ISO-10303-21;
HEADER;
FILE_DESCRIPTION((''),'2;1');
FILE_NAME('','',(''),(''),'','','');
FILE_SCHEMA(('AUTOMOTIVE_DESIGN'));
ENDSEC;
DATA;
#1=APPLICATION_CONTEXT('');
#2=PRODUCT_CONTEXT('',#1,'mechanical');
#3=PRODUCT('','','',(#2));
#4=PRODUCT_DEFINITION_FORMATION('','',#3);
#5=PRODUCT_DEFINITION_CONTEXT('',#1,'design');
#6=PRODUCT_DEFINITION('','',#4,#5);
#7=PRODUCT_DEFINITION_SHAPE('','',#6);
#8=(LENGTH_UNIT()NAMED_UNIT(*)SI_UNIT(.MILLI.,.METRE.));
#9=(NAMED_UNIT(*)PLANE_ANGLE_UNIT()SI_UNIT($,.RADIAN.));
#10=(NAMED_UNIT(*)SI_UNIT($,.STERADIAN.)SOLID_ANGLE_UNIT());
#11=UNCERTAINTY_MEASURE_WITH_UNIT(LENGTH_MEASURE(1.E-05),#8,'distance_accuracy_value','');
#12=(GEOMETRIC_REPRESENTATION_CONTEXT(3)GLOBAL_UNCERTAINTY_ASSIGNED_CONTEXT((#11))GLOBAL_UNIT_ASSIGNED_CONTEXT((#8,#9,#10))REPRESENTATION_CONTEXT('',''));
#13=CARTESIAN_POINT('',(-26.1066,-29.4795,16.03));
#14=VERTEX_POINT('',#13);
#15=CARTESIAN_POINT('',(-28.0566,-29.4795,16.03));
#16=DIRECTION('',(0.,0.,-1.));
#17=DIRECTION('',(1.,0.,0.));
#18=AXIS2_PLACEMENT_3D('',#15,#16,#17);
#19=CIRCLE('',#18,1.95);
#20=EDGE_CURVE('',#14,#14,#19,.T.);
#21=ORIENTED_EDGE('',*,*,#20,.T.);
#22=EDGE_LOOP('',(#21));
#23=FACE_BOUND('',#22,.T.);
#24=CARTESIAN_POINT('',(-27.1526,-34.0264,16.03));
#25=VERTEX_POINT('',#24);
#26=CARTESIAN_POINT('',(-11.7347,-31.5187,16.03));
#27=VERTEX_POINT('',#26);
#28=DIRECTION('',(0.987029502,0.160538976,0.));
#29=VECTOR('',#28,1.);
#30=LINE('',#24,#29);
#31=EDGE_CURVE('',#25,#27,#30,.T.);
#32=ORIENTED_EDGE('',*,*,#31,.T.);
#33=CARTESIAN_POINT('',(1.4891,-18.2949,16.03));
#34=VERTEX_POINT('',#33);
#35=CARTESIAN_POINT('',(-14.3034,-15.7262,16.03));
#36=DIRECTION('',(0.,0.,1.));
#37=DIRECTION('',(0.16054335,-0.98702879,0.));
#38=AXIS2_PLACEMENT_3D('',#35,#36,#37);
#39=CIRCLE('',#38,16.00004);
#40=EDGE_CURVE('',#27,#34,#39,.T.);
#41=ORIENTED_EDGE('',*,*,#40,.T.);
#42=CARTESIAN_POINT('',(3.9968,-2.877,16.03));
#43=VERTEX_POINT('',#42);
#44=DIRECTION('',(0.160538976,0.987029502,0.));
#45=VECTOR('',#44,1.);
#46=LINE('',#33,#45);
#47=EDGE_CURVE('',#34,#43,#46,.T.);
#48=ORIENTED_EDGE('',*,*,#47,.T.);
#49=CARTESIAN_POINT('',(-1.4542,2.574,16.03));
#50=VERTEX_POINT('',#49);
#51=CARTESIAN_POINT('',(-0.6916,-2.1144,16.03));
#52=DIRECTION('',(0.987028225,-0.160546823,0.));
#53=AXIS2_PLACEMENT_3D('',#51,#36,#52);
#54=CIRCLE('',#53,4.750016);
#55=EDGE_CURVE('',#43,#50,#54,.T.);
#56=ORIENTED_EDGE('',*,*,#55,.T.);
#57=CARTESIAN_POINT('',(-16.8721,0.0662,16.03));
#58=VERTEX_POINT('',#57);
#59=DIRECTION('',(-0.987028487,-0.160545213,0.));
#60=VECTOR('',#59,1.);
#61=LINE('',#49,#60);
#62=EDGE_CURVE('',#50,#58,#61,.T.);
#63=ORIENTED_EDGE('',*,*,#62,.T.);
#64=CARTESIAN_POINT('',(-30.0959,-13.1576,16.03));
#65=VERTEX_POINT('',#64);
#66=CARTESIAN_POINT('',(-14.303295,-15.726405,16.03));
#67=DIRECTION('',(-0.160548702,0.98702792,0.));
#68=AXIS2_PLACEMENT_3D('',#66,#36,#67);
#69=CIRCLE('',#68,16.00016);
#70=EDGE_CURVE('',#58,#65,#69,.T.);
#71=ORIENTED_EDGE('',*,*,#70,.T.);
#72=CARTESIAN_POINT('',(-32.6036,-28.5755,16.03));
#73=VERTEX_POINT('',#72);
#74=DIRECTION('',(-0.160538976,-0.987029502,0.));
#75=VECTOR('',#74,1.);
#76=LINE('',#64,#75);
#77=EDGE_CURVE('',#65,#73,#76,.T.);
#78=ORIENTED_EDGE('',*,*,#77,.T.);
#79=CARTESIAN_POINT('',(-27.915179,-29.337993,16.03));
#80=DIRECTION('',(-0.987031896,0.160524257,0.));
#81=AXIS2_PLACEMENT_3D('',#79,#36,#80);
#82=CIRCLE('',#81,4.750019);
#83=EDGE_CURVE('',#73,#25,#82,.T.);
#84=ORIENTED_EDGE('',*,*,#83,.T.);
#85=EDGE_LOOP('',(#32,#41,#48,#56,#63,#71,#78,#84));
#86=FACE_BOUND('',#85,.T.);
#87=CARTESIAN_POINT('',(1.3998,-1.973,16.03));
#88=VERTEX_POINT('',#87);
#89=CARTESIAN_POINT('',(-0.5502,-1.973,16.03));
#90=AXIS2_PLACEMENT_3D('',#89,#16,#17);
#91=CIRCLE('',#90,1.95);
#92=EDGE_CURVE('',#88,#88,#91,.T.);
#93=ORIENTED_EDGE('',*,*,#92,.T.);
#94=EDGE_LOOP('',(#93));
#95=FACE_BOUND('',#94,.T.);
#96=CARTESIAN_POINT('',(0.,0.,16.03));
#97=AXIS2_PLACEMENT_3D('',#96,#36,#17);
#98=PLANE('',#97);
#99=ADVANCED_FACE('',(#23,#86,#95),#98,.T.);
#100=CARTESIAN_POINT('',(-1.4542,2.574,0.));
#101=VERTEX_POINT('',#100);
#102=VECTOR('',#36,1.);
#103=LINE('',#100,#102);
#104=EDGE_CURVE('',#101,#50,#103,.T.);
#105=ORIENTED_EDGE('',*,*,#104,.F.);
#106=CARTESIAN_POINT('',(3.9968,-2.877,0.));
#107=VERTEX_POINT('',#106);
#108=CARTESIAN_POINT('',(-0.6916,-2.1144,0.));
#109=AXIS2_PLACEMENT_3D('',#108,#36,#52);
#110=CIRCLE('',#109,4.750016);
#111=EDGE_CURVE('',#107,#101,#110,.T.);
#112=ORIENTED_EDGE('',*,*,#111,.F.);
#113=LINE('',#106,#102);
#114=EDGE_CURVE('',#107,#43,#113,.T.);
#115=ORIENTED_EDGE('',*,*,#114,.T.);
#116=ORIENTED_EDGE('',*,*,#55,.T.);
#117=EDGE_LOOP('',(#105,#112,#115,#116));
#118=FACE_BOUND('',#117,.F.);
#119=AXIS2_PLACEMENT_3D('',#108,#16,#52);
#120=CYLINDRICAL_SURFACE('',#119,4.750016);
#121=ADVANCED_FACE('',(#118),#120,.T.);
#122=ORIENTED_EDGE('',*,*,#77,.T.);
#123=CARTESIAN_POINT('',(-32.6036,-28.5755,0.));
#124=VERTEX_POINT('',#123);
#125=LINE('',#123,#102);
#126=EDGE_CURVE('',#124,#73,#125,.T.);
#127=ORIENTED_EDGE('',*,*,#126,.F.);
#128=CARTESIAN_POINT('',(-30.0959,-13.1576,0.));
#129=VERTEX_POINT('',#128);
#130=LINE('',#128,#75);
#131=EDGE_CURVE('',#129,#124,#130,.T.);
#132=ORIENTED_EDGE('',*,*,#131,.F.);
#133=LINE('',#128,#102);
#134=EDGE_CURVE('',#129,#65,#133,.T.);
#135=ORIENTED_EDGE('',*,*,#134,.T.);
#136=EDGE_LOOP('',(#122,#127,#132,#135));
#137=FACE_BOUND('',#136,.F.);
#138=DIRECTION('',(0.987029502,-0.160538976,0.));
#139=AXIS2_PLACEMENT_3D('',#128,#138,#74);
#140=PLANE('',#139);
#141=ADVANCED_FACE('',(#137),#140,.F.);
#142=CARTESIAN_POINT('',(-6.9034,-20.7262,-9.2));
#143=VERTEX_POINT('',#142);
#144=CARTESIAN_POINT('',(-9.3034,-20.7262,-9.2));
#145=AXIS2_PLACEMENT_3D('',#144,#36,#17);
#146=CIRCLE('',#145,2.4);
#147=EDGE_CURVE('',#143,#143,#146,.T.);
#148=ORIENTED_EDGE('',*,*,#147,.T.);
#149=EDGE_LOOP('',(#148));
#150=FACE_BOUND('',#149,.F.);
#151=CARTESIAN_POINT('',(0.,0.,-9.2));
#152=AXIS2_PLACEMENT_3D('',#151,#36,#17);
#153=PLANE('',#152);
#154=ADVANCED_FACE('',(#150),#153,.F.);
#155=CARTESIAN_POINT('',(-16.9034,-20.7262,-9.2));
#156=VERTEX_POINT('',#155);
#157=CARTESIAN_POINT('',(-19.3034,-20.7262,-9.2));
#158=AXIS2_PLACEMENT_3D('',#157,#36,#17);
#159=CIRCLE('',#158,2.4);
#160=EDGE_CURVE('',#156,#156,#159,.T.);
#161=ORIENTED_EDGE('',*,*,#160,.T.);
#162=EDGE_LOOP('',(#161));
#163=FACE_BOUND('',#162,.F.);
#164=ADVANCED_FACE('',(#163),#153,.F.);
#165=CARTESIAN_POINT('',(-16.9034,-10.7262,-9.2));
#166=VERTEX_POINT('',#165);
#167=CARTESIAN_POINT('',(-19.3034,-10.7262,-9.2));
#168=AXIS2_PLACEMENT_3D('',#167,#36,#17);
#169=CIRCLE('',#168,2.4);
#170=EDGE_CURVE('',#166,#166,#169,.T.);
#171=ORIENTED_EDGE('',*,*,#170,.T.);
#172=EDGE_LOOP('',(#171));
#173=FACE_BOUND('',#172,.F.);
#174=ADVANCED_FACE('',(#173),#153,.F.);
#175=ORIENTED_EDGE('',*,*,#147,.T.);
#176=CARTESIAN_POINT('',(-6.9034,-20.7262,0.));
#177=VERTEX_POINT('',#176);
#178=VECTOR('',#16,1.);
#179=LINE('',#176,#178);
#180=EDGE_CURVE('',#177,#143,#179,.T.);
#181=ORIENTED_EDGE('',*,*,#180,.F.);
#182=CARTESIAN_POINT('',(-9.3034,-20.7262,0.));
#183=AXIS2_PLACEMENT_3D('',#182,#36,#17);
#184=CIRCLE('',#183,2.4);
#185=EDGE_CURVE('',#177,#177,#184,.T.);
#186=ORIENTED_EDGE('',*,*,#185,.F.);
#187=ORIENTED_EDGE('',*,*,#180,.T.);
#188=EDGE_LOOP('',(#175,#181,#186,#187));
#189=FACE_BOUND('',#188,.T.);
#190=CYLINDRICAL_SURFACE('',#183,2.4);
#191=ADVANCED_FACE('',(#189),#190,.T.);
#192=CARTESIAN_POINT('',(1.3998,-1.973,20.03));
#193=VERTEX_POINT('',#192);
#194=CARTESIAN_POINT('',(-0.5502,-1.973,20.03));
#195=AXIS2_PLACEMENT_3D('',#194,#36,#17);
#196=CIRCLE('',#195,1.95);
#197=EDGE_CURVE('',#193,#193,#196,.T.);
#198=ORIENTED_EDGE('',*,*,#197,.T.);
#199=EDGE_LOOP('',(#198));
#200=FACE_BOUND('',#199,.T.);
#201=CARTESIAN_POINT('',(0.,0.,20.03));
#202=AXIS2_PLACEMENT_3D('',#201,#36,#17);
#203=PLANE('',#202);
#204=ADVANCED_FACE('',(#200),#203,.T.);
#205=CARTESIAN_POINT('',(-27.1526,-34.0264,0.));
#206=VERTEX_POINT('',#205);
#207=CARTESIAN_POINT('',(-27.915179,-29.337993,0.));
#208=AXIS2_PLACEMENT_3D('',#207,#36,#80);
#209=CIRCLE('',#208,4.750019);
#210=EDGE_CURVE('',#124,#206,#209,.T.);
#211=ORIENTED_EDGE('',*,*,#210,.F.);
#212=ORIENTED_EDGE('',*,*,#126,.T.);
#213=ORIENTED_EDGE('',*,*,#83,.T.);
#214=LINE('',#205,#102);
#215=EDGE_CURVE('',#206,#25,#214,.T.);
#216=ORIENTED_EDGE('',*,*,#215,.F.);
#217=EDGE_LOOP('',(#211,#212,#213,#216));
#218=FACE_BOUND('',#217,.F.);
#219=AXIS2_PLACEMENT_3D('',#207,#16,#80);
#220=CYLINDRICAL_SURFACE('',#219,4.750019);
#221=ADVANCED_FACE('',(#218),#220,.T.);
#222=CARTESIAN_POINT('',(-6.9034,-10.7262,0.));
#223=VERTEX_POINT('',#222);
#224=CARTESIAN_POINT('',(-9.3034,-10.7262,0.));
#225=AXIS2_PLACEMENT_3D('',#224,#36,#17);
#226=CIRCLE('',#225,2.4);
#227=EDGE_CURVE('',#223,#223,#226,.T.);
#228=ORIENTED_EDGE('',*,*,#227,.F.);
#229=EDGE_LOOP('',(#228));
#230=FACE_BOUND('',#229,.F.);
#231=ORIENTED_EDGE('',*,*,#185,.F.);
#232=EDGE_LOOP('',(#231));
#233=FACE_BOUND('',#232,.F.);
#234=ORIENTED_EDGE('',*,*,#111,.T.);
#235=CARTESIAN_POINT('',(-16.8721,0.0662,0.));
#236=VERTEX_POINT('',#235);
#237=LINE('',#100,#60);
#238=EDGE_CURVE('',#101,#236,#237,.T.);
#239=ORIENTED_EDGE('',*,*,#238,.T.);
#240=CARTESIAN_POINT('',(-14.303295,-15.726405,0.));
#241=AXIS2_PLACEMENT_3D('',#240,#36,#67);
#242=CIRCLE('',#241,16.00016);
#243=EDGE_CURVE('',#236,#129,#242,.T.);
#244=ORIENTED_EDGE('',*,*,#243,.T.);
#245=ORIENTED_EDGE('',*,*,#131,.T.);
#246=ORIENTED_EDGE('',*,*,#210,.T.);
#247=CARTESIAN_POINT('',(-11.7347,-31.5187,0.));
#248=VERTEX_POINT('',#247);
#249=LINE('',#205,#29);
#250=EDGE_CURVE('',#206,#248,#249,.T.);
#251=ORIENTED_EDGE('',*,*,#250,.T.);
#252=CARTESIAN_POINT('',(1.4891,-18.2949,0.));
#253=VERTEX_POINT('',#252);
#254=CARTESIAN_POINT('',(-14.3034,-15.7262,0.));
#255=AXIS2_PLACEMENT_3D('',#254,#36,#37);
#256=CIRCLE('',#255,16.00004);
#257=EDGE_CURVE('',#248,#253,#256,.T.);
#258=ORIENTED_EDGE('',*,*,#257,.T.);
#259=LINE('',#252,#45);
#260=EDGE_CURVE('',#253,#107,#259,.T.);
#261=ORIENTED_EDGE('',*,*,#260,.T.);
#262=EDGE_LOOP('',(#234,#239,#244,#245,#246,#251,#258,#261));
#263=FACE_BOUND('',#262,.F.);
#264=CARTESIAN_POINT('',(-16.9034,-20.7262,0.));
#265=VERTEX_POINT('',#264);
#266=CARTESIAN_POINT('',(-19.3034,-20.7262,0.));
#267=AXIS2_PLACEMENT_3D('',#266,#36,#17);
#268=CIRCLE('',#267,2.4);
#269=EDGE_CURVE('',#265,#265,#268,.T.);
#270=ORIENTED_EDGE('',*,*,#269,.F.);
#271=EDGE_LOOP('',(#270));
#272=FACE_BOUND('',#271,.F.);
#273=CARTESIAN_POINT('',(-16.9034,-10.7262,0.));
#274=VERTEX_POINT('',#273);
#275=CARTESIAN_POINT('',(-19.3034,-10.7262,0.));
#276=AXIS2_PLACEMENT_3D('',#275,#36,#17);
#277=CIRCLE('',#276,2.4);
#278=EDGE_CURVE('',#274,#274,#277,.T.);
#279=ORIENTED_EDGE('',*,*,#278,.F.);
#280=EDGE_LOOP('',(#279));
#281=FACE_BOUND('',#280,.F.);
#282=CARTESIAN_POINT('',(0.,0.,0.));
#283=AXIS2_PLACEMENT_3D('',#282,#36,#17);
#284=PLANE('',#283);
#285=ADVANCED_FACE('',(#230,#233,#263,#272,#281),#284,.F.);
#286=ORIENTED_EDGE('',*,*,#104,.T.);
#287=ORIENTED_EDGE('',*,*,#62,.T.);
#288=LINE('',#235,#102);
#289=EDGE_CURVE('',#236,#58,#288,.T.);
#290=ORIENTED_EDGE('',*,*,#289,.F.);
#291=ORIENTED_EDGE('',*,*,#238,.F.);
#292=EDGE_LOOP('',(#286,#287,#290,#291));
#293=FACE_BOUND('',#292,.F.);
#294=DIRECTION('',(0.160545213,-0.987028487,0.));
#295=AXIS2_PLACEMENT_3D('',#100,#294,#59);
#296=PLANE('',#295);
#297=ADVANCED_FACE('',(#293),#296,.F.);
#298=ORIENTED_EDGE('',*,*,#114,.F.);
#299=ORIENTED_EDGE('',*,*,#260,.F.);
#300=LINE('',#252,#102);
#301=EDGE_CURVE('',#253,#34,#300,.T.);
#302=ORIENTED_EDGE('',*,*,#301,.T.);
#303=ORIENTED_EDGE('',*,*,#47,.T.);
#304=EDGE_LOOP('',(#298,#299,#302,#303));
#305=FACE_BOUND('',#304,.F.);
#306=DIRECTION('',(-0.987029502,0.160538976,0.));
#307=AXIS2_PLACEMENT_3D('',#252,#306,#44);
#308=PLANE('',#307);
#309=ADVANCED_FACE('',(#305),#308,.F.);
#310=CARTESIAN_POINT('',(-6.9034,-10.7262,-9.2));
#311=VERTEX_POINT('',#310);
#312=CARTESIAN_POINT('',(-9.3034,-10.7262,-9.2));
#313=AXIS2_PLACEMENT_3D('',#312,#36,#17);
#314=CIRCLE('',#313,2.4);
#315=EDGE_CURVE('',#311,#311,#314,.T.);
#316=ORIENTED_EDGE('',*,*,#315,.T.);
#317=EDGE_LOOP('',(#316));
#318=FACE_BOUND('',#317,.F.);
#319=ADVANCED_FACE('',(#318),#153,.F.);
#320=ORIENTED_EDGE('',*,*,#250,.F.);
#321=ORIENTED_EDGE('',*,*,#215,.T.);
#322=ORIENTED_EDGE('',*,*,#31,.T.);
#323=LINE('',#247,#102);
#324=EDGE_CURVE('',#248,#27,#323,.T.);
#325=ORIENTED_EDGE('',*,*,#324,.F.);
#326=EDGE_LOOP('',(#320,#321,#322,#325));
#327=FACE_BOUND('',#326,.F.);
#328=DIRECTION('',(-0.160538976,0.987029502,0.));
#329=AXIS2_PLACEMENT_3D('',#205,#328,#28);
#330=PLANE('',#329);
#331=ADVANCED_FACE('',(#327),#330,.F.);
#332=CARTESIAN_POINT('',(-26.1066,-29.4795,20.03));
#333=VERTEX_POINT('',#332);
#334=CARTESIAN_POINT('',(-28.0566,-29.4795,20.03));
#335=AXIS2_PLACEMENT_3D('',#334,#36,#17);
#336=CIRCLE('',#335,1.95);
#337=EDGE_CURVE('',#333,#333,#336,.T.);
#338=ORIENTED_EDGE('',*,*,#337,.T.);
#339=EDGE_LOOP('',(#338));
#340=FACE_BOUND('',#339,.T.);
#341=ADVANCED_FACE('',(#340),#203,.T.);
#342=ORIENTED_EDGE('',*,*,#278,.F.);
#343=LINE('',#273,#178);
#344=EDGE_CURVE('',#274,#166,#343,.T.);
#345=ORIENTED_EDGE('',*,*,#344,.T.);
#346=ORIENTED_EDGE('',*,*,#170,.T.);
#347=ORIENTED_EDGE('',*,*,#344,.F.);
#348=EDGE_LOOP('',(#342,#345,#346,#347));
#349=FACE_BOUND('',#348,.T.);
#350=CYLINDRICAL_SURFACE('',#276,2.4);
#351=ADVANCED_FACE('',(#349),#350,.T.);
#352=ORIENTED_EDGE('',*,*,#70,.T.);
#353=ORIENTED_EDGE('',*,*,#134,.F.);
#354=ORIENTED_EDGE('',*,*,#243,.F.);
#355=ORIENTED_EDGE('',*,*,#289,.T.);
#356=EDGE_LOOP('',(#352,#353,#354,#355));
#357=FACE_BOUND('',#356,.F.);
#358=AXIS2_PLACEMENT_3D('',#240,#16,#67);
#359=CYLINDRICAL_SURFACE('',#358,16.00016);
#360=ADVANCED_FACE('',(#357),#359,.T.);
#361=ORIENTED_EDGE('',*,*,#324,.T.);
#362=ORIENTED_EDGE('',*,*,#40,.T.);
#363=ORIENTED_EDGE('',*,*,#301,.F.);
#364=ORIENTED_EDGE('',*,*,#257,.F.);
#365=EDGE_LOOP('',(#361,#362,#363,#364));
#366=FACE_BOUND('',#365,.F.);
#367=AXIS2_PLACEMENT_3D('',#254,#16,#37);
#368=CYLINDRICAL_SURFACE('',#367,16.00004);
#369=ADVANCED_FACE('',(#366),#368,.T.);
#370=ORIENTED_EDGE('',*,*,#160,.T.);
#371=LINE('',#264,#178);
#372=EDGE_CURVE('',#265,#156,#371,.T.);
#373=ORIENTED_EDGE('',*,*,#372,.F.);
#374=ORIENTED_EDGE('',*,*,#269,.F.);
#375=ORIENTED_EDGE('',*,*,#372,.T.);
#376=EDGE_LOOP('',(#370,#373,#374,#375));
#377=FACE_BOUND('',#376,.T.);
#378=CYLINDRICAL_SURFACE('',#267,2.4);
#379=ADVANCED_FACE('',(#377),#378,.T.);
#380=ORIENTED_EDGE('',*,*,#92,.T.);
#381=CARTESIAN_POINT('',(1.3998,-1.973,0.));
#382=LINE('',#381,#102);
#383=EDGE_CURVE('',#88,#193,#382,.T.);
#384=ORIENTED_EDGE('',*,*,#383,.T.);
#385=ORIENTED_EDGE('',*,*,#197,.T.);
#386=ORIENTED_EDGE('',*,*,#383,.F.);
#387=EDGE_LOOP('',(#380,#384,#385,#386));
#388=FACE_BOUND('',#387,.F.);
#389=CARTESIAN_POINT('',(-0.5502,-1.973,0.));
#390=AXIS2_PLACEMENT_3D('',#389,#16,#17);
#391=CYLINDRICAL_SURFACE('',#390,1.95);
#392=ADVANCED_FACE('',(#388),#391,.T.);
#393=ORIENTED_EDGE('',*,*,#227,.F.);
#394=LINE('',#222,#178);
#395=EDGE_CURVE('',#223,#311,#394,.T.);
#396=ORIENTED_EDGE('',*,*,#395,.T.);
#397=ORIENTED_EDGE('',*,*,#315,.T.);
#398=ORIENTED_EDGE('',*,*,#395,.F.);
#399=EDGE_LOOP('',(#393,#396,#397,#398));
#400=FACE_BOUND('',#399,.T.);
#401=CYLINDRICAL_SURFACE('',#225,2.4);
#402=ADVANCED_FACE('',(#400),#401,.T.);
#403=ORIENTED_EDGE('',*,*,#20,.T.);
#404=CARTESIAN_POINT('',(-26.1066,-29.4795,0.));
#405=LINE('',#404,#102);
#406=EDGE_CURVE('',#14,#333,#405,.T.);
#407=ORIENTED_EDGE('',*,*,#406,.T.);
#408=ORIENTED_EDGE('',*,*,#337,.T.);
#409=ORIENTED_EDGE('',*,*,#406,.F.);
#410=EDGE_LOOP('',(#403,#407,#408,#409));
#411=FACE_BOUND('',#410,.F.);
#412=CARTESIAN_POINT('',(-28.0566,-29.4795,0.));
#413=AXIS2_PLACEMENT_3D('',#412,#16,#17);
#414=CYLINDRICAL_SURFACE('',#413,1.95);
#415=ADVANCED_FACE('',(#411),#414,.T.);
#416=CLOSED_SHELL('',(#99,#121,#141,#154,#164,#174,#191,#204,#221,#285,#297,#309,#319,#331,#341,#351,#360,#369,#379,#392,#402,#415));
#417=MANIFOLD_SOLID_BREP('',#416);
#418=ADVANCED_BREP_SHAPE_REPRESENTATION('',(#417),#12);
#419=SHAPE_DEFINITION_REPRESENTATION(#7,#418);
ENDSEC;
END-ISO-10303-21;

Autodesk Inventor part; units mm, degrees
ref_plane "YZ Plane" through (0, 0, 0) normal (1, 0, 0) x (0, 1, 0)
ref_plane "XZ Plane" through (0, 0, 0) normal (0, 1, 0) x (-1, 0, 0)
ref_plane "Work Plane2" through (0, 0, 0) normal (0, 0, 1) x (1, 0, 0)
sketch "Sketch1" plane through (0, 0, 0) normal (0, 0, 1) x (1, 0, 0)
  circle A0 centre (-28.0566, -29.4795) radius 1.95
  circle A1 centre (-0.5502, -1.973) radius 1.95
  arc A2 (3.9968, -2.877) -> (-1.4542, 2.574) centre (-0.6916, -2.1144) ccw
  line L0 (1.4891, -18.2949) -> (3.9968, -2.877)
  arc A3 (-11.7347, -31.5187) -> (1.4891, -18.2949) centre (-14.3034, -15.7262) ccw
  line L1 (-27.1526, -34.0264) -> (-11.7347, -31.5187)
  arc A4 (-32.6036, -28.5755) -> (-27.1526, -34.0264) centre (-27.9152, -29.338) ccw
  line L2 (-30.0959, -13.1576) -> (-32.6036, -28.5755)
  arc A5 (-16.8721, 0.0662) -> (-30.0959, -13.1576) centre (-14.3034, -15.7262) ccw
  line L3 (-1.4542, 2.574) -> (-16.8721, 0.0662)
  circle A6 centre (-9.3034, -10.7262) radius 2.5
  circle A7 centre (-19.3034, -10.7262) radius 2.5
  circle A8 centre (-9.3034, -20.7262) radius 2.5
  circle A9 centre (-19.3034, -20.7262) radius 2.5
  circle A10 centre (-9.3034, -10.7262) radius 2.4
  circle A11 centre (-9.3034, -20.7262) radius 2.4
  circle A12 centre (-19.3034, -20.7262) radius 2.4
  circle A13 centre (-19.3034, -10.7262) radius 2.4
  line L4 (-0.6916, -2.1144) -> (-27.9152, -29.338) construction
  line L5 (-14.3034, -15.7262) -> (-12.5748, -17.4548) construction
  point P0 (0, 0)
  dimension "d2" = 0.1
  dimension "d3" = 0.1
  dimension "d4" = 0.1
  dimension "d5" = 0.1
  dimension "d10" = 3.9
  dimension "d11" = 3.9
  dimension "d12" = 38.7
extrude "Extrusion1" add sketch "Sketch1" along normal blind 16.03 contours A0 | A1 | L0 A3 L1 A4 L2 A5 L3 A2 | A6 | A7 | A8 | A9 | A10 | A11 | A12 | A13
extrude "Extrusion2" add sketch "Sketch1" against normal blind 9.2 contours A10 | A11 | A12 | A13
extrude "Extrusion3" add sketch "Sketch1" along normal blind 20.03 contours A0 | A1
equation "\"d10\" = d11"
equation "\"d0\" = inner_plug_height"
equation "\"inner_plug_height\" = 16.03"
properties part number "Caster_wheel_inner_plug_1_02"
